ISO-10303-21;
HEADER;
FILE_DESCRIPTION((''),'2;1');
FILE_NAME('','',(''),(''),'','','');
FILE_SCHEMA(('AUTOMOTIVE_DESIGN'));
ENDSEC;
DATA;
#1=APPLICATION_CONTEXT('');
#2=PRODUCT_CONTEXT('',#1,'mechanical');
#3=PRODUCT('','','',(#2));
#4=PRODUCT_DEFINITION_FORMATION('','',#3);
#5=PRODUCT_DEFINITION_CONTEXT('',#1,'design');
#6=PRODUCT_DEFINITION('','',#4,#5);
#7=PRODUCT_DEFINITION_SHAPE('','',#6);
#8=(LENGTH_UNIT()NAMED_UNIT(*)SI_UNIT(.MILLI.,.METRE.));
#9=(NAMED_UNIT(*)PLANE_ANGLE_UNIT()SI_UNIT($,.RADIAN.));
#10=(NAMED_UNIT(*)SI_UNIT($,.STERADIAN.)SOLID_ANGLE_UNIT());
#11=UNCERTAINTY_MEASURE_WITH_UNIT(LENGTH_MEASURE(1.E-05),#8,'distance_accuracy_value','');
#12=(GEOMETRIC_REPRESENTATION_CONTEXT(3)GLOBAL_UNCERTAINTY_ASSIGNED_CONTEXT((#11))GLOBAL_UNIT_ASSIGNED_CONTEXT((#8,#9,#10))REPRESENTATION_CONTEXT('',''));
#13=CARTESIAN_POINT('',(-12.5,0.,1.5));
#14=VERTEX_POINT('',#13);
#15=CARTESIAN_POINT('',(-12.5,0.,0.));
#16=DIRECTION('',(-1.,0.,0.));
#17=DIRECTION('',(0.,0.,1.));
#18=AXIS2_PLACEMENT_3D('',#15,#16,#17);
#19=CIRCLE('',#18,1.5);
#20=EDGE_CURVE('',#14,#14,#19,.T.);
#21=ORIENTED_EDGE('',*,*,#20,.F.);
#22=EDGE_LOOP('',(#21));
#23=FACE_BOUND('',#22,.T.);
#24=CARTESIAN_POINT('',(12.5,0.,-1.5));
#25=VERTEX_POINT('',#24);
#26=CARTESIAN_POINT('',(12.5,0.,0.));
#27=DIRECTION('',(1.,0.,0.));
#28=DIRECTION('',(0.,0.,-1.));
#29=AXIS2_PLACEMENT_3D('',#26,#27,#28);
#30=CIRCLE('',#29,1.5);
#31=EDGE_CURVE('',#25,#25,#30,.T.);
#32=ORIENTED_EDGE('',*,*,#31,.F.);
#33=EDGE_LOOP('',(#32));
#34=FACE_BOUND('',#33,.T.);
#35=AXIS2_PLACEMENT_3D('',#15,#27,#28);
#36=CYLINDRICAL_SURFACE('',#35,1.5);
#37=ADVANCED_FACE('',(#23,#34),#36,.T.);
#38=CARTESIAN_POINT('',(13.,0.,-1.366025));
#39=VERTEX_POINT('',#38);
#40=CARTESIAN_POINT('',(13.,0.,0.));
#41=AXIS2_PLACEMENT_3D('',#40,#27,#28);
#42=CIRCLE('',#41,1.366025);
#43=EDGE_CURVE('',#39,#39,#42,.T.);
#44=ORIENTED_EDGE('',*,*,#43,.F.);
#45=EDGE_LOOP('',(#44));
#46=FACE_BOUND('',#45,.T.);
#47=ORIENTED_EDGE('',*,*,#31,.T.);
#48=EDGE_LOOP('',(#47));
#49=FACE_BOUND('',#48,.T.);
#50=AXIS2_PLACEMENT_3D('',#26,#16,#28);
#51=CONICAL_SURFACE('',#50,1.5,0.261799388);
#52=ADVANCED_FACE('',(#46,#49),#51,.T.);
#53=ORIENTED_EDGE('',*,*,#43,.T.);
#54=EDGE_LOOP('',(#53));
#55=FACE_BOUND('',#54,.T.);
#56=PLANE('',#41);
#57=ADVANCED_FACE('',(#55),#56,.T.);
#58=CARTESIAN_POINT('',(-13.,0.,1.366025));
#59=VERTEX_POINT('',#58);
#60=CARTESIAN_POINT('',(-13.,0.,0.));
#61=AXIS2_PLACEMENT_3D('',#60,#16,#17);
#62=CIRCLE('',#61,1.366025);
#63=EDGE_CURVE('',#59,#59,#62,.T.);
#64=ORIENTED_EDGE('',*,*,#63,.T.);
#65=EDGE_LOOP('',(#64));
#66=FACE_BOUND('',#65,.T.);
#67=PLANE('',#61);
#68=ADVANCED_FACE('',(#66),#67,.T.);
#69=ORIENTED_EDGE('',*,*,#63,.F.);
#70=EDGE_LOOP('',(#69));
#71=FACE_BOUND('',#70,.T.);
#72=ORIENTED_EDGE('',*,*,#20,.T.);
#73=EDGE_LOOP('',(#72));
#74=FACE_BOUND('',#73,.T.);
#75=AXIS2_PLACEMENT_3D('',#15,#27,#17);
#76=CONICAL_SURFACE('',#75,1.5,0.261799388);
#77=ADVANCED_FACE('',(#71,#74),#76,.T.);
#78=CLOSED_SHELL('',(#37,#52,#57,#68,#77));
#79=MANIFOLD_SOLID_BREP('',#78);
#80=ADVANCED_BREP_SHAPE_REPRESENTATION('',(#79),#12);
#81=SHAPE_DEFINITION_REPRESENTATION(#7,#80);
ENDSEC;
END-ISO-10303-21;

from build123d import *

# Parameters (mm, degrees)
EXTRUDE1_DEPTH      = 12.5
EXTRUDE1_DEPTH_BACK = 12.5
SKETCH2_R           = 1.5
SKETCH3_R           = 1.5
EXTRUDE2_DEPTH      = 0.5
EXTRUDE2_TAPER      = 15
SKETCH4_R           = 1.5
EXTRUDE3_DEPTH      = 0.5
EXTRUDE3_TAPER      = 15


with BuildPart() as part:
    # Sketch2 → Extrude1 (new, two sides: drawn at the far end of the back side and taken through both)
    with BuildSketch(Plane(origin=(0, 0, 0), x_dir=(0, 0, -1), z_dir=(1, 0, 0)).offset(-EXTRUDE1_DEPTH_BACK)):
        Circle(SKETCH2_R)
    extrude(amount=EXTRUDE1_DEPTH + EXTRUDE1_DEPTH_BACK)

    # Sketch3 → Extrude2 (add)
    with BuildSketch(Plane(origin=(12.5, 0, 0), x_dir=(0, 0, -1), z_dir=(1, 0, 0))):
        Circle(SKETCH3_R)
    extrude(amount=EXTRUDE2_DEPTH, taper=EXTRUDE2_TAPER)

    # Sketch4 → Extrude3 (add)
    with BuildSketch(Plane.ZY.offset(12.5)):
        with Locations(Location((0, 0, 0), (0, 0, 180))):
            Circle(SKETCH4_R)
    extrude(amount=EXTRUDE3_DEPTH, taper=EXTRUDE3_TAPER)


solid = part.part
